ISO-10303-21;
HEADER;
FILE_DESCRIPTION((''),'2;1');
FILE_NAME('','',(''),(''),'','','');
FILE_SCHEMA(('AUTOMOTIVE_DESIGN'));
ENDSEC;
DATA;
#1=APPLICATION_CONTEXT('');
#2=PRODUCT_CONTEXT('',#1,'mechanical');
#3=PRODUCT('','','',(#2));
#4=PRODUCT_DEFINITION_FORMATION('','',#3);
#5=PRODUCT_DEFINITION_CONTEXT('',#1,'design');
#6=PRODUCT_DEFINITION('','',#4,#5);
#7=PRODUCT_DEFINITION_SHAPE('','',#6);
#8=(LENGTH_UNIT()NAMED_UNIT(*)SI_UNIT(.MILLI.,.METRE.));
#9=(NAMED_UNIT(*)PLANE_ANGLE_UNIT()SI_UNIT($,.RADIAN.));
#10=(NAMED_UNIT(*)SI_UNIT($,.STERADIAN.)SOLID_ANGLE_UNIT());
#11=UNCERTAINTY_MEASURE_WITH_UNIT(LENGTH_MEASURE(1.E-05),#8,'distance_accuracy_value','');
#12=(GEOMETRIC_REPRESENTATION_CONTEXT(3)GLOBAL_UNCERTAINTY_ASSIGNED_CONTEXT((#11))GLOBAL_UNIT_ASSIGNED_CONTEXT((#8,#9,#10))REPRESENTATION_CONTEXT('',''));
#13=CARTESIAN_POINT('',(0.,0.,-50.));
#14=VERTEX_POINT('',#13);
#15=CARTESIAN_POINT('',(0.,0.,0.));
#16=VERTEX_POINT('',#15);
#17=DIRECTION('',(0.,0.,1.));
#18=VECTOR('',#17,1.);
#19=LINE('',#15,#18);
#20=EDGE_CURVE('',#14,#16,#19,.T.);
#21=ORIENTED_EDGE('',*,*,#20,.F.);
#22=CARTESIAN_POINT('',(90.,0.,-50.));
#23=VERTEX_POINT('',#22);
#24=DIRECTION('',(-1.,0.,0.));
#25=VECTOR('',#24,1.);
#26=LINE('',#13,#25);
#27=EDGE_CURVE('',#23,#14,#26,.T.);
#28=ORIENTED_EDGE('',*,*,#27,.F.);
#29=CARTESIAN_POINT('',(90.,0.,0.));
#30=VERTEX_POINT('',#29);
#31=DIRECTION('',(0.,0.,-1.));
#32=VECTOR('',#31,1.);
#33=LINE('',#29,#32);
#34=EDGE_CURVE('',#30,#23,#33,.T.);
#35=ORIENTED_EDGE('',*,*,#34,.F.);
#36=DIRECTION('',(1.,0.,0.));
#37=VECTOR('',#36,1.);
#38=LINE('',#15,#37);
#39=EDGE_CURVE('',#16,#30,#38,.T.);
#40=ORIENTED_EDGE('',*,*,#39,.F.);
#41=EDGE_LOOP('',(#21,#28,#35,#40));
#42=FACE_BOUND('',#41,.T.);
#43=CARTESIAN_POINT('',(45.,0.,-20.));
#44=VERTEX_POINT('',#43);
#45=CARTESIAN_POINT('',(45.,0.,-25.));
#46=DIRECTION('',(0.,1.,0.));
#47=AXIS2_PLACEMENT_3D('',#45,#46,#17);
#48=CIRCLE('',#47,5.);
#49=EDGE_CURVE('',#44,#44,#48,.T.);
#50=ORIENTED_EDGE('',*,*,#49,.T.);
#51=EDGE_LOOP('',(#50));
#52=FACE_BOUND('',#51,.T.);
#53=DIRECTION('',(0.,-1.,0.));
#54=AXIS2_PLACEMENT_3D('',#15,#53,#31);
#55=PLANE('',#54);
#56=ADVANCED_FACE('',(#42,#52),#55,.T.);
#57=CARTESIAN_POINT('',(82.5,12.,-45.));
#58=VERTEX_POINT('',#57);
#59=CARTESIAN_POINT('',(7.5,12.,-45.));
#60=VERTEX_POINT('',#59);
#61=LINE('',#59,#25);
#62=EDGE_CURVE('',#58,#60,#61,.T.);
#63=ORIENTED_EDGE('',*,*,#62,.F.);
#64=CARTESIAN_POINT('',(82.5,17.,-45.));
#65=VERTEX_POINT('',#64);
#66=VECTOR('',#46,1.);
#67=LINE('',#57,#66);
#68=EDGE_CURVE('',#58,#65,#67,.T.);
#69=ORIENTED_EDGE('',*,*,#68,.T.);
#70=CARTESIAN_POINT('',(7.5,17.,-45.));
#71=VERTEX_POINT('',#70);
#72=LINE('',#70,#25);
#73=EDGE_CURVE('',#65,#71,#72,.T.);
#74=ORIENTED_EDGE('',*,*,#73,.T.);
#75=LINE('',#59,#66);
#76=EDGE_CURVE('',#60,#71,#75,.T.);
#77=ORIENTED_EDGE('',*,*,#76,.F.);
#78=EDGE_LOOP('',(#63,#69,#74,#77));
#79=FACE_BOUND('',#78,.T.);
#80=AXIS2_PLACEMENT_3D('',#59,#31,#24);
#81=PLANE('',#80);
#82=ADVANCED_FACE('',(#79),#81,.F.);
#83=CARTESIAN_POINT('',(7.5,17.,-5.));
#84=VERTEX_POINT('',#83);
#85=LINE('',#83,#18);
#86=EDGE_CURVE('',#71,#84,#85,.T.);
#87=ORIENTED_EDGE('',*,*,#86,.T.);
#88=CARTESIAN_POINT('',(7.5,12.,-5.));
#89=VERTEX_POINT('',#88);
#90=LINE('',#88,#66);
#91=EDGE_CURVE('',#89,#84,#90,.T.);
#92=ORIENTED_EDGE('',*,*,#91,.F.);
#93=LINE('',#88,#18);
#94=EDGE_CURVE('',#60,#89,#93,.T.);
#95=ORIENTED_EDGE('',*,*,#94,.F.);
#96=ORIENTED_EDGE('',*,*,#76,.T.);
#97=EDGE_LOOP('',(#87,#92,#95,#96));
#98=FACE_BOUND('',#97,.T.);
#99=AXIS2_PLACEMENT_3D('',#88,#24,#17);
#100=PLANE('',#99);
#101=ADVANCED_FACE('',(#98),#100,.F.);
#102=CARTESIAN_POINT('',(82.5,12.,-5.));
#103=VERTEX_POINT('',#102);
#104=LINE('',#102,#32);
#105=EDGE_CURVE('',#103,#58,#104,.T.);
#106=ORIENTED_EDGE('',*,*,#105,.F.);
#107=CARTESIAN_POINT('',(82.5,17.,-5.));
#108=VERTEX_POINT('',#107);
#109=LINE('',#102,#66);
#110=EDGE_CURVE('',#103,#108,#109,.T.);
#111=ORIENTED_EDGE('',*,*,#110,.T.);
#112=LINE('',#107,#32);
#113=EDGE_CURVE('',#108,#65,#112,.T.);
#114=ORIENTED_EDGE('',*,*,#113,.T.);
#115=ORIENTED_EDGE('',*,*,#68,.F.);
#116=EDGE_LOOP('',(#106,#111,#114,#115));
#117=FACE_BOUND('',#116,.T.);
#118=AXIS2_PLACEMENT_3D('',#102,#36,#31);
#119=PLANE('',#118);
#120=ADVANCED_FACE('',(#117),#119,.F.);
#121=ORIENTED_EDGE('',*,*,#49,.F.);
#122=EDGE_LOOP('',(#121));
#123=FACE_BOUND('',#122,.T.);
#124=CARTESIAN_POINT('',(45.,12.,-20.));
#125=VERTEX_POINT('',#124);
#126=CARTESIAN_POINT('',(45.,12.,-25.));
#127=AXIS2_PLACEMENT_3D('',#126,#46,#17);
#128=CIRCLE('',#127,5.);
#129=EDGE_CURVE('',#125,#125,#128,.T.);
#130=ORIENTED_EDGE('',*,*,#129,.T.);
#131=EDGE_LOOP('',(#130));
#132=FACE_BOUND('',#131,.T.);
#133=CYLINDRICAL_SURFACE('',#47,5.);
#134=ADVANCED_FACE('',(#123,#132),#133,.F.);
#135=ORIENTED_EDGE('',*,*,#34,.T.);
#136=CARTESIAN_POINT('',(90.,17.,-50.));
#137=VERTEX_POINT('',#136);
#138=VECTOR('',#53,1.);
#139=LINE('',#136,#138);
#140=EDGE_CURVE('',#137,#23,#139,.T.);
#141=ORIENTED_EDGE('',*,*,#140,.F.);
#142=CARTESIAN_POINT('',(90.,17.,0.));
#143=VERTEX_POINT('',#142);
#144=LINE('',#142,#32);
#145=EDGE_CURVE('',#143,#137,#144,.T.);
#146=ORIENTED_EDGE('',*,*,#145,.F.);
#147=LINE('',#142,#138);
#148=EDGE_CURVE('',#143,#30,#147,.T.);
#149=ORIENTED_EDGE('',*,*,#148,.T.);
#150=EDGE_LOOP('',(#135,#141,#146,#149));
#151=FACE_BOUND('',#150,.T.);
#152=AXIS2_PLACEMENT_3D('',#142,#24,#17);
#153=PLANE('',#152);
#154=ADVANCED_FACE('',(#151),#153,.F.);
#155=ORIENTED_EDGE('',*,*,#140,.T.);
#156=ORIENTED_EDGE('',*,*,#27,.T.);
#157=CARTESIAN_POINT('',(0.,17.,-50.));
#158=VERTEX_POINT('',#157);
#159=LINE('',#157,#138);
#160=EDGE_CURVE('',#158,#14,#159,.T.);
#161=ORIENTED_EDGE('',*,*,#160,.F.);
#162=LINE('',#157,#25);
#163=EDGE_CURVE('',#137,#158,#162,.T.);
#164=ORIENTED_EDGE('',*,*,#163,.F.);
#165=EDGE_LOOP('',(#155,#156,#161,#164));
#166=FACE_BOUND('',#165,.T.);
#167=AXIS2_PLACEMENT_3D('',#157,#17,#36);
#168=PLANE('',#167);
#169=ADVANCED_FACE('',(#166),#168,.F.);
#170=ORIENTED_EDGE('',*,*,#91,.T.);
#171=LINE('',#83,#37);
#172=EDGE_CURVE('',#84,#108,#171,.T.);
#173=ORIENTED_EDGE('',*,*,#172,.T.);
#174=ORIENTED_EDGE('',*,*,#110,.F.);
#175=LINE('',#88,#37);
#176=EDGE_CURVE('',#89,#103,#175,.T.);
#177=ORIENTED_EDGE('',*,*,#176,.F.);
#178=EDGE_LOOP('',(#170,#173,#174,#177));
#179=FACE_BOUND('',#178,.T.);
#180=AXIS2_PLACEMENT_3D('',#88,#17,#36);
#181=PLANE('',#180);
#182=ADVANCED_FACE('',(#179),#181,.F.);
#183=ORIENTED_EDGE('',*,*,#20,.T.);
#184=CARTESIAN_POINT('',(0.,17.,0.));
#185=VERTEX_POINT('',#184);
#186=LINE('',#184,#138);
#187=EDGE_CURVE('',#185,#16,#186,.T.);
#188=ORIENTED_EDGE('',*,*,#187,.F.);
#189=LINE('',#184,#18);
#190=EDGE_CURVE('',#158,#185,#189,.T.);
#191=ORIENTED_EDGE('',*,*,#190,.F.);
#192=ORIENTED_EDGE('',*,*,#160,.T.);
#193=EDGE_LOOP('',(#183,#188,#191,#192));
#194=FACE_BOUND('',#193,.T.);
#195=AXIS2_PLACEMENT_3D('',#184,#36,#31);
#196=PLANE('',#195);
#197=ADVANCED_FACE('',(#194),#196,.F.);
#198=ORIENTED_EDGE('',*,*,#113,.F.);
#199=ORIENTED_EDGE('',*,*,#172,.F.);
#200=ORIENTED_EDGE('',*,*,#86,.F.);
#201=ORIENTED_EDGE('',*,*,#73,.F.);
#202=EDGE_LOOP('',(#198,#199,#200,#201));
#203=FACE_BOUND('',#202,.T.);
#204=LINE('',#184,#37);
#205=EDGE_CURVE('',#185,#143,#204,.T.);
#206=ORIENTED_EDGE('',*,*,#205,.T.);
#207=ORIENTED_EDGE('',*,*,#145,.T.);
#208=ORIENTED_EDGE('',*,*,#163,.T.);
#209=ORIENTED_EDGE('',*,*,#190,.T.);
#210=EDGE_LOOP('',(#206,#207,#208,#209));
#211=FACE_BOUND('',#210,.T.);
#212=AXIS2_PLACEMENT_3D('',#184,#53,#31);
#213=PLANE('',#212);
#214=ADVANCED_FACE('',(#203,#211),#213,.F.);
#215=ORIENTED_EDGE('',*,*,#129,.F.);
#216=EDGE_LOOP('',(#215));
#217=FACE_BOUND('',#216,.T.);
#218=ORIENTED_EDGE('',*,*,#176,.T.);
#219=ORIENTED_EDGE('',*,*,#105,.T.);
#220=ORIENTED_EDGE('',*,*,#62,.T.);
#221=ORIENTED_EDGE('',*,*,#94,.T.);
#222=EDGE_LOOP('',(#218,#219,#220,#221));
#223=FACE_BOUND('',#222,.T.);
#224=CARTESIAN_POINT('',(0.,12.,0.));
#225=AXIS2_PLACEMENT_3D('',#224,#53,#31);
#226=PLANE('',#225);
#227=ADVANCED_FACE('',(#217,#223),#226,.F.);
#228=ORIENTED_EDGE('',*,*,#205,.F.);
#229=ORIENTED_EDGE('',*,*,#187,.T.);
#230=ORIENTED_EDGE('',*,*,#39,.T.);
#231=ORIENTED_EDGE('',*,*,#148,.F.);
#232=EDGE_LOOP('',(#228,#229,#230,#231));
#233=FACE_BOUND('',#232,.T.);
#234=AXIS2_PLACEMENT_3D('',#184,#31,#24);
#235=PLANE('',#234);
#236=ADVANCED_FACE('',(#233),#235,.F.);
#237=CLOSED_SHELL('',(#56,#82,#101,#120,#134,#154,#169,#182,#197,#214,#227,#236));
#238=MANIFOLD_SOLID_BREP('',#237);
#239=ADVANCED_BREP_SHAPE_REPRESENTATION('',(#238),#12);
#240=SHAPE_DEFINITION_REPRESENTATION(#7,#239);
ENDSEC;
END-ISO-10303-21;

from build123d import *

# Parameters (mm, degrees)
SKETCH1_W           = 90
SKETCH1_H           = 50
BOSS_EXTRUDE1_DEPTH = 17
SKETCH2_W           = 75
SKETCH2_H           = 40
CUT_EXTRUDE1_DEPTH  = 5
SKETCH3_R           = 5
CUT_EXTRUDE2_DEPTH  = 13


with BuildPart() as part:
    # Sketch1 → Boss-Extrude1 (new body)
    with BuildSketch(Plane(origin=(0, 0, 0), x_dir=(1, 0, 0), z_dir=(0, 1, 0))):
        with Locations((45, 25)):
            Rectangle(SKETCH1_W, SKETCH1_H)
    extrude(amount=BOSS_EXTRUDE1_DEPTH)

    # Sketch2 → Cut-Extrude1 (cut)
    with BuildSketch(Plane(origin=(0, 17, 0), x_dir=(1, 0, 0), z_dir=(0, 1, 0))):
        with Locations((45, 25)):
            Rectangle(SKETCH2_W, SKETCH2_H)
    extrude(amount=-CUT_EXTRUDE1_DEPTH, mode=Mode.SUBTRACT)

    # Sketch3 → Cut-Extrude2 (cut, through all)
    with BuildSketch(Plane(origin=(0, 12, 0), x_dir=(1, 0, 0), z_dir=(0, 1, 0))):
        with Locations((45, 25)):
            Circle(SKETCH3_R)
    extrude(amount=-CUT_EXTRUDE2_DEPTH, mode=Mode.SUBTRACT)


solid = part.part
